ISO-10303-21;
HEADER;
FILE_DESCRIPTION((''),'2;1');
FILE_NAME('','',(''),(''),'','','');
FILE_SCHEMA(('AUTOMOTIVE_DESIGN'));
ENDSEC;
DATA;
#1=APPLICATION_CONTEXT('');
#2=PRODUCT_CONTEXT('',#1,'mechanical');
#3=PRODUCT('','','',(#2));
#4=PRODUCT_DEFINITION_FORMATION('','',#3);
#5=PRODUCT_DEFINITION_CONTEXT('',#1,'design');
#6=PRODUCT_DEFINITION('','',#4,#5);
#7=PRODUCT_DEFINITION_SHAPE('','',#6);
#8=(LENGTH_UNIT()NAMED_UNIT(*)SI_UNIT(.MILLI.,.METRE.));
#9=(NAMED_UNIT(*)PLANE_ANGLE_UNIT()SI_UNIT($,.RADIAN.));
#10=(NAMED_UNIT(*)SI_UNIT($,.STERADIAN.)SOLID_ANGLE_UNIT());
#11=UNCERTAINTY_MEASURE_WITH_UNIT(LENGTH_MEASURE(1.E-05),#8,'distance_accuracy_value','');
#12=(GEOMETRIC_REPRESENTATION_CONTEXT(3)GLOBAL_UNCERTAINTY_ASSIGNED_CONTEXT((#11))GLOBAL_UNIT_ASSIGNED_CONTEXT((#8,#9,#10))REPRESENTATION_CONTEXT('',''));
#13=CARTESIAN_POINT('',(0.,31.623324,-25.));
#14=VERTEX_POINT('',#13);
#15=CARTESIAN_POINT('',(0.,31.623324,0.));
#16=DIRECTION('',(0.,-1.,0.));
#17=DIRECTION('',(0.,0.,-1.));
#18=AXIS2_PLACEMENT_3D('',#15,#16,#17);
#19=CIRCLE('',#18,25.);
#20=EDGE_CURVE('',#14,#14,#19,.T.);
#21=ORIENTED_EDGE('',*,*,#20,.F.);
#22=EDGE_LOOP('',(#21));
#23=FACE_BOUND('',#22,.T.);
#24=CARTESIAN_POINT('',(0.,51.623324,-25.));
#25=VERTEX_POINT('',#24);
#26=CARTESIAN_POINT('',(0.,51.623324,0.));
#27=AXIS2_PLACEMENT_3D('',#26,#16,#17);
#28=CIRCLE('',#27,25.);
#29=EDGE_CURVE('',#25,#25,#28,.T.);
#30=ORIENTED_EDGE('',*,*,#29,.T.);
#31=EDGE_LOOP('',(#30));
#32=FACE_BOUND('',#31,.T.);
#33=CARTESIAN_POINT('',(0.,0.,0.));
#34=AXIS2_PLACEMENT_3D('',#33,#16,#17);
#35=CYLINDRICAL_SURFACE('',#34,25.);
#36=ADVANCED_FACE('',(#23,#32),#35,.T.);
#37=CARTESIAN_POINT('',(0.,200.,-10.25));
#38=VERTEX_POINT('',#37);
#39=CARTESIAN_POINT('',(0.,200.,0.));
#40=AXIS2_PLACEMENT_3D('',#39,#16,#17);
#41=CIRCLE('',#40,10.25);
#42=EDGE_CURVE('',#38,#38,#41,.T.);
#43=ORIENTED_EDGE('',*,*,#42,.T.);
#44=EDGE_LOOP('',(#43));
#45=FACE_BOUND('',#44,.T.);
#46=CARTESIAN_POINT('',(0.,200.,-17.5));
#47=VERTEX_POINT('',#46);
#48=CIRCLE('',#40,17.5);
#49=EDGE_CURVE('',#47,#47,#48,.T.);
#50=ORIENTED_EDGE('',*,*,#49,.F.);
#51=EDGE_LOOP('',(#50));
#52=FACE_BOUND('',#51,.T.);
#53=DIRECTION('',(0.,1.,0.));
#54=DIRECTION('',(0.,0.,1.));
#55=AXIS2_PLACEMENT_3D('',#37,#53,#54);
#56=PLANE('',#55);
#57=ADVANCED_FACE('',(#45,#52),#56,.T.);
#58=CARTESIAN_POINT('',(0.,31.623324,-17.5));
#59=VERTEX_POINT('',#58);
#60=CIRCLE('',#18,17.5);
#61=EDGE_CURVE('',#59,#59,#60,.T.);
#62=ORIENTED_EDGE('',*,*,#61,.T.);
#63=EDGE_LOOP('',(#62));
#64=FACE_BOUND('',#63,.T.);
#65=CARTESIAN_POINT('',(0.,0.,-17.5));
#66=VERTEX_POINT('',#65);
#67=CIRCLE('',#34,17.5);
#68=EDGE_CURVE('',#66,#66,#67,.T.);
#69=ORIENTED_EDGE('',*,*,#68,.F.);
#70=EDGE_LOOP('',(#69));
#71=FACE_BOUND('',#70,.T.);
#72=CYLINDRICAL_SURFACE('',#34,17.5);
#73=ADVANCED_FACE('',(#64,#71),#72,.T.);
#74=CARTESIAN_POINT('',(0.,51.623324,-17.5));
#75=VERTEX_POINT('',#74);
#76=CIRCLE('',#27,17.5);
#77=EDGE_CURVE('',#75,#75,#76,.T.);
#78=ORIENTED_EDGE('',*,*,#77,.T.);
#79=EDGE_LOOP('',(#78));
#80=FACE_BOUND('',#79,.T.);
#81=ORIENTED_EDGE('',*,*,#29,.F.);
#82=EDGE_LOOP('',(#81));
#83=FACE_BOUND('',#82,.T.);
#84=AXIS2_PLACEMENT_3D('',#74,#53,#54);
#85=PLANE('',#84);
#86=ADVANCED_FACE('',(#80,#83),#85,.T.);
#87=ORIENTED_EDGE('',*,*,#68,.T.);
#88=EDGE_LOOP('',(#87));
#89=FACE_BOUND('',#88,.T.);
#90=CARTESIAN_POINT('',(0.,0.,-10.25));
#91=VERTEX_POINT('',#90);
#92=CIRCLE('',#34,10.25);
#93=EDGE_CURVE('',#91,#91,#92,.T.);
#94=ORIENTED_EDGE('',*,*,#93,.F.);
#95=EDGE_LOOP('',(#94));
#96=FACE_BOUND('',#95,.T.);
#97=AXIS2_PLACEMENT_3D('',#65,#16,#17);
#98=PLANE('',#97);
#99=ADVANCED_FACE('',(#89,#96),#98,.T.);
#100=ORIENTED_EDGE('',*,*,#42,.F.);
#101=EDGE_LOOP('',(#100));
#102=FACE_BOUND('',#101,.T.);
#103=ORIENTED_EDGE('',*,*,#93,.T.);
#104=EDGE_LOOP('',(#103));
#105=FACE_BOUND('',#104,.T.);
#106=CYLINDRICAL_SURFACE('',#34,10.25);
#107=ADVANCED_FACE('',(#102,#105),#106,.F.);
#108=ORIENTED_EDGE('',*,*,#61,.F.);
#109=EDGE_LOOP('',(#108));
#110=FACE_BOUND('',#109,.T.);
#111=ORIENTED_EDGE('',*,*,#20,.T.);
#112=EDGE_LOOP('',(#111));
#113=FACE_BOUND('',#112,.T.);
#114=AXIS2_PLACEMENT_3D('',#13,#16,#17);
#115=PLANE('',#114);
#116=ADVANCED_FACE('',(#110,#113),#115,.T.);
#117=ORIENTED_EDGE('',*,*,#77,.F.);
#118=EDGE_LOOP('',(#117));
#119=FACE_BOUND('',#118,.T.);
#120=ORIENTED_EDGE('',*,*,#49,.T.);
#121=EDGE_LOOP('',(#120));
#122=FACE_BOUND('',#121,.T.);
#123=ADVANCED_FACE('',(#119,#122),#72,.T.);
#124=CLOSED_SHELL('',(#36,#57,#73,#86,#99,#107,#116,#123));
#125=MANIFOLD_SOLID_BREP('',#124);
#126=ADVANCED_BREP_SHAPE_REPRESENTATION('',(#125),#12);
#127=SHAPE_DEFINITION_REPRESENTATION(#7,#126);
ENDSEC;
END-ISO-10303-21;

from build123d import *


with BuildPart() as part:
    # Sketch1 → Revolve1 (revolve)
    with BuildSketch(Plane(origin=(0, 0, 0), x_dir=(0, 0, -1), z_dir=(1, 0, 0))):
        Polygon((10.25, 0), (10.25, 200), (17.5, 200), (17.5, 51.623323598), (25, 51.623323598), (25, 31.623323598), (17.5, 31.623323598), (17.5, 0), align=None)
    revolve(axis=Axis((0, 0, 0), (0, 1, 0)))


solid = part.part
